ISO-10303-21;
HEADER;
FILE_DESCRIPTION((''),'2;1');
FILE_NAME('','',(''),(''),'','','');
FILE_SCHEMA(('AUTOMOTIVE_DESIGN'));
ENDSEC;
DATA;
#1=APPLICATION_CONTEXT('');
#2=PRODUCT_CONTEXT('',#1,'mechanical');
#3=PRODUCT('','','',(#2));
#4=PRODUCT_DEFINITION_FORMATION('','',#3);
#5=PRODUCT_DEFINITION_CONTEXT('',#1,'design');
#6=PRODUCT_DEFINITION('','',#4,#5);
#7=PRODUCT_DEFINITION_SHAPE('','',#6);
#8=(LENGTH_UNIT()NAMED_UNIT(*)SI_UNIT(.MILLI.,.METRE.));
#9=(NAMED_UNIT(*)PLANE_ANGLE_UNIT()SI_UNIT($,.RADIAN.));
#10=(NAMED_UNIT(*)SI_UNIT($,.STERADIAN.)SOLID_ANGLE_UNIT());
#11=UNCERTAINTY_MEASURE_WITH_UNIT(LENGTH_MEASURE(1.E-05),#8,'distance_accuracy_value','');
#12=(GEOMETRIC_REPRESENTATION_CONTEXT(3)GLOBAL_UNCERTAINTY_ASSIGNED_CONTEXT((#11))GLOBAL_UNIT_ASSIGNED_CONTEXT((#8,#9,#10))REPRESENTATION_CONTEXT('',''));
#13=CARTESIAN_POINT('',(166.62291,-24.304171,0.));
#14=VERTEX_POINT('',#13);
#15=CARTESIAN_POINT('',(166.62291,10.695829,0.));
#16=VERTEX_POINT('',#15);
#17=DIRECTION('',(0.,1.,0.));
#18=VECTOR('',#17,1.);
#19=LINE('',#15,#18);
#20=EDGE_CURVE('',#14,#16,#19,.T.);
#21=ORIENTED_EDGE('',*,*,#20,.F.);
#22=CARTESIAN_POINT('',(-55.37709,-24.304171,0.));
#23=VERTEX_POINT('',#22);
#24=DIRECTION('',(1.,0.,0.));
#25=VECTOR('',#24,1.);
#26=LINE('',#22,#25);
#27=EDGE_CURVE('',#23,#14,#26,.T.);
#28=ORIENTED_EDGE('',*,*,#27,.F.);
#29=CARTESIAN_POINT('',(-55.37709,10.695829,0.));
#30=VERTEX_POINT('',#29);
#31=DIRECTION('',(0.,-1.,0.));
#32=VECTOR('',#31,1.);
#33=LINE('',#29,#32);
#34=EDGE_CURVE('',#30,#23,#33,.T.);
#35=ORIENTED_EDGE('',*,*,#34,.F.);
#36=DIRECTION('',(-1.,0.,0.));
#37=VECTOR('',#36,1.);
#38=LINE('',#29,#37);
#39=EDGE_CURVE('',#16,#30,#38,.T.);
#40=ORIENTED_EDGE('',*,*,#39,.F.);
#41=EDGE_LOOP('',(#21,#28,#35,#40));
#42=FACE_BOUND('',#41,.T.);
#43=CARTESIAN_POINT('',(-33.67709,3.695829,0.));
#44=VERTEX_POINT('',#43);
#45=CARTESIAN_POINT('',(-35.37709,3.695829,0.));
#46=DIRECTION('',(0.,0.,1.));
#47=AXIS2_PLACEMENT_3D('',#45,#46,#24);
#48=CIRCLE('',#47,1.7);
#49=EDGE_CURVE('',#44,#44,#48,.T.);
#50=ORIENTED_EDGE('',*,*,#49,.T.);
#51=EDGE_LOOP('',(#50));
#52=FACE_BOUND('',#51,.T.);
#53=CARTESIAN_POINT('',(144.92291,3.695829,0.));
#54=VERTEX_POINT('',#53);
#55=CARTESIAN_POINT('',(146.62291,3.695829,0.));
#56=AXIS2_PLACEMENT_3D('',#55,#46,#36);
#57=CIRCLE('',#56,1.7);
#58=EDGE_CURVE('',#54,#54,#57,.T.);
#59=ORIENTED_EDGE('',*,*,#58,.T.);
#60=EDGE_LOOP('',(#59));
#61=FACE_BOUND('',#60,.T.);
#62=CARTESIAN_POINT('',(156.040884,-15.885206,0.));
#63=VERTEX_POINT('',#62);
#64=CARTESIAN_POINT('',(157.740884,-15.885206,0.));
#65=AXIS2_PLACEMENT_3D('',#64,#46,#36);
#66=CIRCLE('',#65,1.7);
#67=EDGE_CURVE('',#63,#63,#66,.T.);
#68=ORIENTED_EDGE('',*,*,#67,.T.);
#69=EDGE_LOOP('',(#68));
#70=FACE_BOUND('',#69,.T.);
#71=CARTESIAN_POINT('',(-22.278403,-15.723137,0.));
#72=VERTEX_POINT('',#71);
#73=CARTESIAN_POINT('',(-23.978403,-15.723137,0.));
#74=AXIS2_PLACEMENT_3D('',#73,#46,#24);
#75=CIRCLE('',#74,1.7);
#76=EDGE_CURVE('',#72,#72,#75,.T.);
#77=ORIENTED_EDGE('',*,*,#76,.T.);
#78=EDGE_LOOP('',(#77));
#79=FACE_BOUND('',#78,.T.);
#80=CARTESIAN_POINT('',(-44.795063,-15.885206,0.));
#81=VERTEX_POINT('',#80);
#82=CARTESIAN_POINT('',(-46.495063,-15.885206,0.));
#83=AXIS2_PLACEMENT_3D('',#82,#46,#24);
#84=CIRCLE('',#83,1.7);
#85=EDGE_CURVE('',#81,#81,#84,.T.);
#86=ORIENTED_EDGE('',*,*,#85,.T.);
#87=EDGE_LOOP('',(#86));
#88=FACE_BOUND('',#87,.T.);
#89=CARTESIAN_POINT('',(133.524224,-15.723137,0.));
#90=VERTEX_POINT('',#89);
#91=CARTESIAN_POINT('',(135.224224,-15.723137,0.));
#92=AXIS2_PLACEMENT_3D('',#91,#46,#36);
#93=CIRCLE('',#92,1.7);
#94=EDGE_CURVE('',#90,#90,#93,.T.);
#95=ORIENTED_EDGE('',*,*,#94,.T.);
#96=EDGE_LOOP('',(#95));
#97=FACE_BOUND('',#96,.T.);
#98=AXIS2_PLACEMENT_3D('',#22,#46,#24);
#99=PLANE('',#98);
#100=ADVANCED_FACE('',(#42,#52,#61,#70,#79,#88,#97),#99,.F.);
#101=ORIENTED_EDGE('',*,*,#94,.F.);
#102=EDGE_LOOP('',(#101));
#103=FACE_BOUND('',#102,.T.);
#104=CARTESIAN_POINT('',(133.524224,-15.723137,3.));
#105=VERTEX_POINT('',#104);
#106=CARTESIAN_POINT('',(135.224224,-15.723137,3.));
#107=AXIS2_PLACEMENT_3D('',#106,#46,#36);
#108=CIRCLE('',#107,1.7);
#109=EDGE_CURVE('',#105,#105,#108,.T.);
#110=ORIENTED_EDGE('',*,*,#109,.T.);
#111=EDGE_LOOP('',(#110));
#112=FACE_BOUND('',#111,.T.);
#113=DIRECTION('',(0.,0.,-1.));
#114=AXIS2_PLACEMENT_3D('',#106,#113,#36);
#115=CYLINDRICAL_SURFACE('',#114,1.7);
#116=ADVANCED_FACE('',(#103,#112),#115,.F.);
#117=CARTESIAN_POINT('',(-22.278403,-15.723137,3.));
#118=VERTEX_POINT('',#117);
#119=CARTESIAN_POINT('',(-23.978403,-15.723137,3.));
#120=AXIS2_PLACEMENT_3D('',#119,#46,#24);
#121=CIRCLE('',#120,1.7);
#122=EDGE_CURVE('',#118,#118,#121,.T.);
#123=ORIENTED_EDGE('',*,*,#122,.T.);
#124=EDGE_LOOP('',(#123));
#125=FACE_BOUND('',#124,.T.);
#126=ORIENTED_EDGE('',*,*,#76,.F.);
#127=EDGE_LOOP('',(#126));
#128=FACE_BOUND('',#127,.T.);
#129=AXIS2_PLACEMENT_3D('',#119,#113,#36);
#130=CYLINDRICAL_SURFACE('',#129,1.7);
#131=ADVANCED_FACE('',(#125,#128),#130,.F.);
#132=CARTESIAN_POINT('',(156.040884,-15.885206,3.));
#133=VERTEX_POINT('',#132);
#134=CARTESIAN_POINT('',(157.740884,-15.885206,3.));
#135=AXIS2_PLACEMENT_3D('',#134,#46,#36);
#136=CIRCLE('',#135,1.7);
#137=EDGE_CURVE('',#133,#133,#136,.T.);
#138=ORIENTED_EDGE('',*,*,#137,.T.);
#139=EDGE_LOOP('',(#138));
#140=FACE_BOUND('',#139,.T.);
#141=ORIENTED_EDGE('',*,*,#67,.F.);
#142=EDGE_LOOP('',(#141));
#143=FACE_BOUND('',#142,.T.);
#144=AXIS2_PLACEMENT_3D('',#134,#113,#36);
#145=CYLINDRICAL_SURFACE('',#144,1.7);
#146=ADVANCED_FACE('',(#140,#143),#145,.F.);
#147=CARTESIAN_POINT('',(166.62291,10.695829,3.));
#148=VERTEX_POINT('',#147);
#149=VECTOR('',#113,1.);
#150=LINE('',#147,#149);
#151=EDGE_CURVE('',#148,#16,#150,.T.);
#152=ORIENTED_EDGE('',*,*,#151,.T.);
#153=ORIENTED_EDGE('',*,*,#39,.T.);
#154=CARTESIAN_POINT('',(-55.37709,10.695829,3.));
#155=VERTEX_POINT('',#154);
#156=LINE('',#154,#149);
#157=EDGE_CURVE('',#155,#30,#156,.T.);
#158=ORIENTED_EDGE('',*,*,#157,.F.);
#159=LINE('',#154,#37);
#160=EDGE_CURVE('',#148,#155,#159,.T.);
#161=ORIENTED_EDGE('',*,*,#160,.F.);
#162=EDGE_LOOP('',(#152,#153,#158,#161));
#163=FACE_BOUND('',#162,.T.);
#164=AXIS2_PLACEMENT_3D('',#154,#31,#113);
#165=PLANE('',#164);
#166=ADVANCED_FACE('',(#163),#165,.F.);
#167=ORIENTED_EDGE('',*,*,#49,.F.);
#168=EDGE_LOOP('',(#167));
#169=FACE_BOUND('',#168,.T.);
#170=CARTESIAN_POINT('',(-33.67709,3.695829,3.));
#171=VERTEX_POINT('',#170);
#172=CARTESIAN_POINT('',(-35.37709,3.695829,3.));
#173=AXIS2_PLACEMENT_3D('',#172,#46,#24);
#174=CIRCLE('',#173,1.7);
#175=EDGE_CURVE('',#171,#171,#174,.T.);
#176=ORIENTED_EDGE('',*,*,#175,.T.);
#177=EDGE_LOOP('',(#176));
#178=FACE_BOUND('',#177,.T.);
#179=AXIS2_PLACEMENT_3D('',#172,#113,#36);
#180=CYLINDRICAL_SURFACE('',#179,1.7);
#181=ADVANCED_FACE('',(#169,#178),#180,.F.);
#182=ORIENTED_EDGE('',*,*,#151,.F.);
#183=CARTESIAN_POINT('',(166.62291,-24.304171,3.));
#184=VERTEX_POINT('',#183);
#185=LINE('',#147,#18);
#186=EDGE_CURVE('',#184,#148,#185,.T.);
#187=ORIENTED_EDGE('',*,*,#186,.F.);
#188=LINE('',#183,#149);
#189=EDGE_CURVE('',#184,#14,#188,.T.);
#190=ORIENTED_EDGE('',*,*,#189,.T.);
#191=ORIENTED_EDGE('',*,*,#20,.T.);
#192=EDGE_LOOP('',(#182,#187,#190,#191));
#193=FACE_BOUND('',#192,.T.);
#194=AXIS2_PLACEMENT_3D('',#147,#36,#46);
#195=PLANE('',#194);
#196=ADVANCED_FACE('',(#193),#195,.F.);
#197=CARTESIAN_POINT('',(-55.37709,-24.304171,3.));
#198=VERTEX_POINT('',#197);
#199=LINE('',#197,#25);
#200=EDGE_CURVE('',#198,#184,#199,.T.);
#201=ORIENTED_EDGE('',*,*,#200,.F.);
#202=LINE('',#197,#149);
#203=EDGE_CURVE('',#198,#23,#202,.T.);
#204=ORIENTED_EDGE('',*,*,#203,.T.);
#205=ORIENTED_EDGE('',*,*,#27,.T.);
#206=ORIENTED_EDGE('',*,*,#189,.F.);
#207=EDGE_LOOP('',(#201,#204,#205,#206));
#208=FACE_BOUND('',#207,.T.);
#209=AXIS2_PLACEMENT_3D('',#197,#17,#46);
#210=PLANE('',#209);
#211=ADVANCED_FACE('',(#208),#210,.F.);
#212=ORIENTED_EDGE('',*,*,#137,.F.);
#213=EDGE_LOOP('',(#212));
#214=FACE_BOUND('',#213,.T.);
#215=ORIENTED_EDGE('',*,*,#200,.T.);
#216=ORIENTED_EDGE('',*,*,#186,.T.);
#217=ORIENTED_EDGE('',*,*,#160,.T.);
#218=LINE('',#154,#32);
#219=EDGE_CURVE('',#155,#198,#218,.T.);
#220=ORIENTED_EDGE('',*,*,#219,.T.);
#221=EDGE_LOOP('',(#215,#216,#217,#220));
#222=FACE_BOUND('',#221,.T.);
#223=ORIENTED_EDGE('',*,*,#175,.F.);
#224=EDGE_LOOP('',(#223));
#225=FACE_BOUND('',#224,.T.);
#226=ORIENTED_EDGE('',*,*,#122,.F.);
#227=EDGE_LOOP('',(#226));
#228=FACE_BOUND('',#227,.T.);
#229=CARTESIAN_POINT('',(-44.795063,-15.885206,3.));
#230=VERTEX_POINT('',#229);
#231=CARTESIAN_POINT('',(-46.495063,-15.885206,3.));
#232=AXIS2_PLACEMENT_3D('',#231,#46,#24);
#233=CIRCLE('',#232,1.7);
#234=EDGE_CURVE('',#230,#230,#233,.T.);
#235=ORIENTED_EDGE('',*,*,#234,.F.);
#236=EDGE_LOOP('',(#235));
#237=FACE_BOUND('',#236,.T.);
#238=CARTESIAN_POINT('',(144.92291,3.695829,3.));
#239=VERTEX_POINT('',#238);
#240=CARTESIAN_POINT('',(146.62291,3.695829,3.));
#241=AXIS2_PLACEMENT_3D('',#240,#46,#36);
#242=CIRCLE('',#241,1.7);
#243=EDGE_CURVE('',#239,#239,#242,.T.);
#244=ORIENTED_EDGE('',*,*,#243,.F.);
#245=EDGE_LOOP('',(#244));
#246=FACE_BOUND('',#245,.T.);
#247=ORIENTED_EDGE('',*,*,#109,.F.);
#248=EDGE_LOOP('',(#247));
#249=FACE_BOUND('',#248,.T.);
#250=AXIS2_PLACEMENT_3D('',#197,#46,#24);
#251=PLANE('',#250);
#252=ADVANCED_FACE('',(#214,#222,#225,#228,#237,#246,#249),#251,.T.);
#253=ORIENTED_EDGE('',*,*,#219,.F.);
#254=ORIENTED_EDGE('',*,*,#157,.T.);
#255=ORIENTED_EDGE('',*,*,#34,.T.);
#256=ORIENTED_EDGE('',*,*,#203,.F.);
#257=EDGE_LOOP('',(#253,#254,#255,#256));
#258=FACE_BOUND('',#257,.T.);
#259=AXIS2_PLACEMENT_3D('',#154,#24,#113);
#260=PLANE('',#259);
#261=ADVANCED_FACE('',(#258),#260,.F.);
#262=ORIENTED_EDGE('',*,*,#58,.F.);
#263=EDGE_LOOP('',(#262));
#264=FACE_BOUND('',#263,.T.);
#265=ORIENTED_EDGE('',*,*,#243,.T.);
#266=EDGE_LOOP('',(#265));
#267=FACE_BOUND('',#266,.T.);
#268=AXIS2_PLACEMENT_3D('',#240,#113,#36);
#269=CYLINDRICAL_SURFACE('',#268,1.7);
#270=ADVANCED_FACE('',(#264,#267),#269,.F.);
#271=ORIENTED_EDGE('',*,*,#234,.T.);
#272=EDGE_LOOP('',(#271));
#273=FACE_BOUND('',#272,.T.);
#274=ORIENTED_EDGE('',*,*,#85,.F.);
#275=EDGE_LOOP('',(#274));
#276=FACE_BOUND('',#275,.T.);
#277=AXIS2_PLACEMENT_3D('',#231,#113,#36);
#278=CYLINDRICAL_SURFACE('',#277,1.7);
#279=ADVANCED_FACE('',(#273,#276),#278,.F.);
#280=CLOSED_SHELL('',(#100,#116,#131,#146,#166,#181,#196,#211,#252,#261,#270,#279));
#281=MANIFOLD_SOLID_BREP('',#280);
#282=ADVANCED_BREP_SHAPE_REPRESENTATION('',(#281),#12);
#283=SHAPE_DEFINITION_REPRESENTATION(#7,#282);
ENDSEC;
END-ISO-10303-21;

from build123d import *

# Parameters (mm, degrees)
ESQUISSE1_W        = 222
ESQUISSE1_H        = 35
ESQUISSE1_R        = 1.7
BOSS_EXTRU_1_DEPTH = 3


with BuildPart() as part:
    # Esquisse1 → Boss.-Extru.1 (new body)
    with BuildSketch(Plane.XY):
        with Locations((55.622910416, -6.804171429)):
            Rectangle(ESQUISSE1_W, ESQUISSE1_H)
        with Locations((-35.377089584, 3.695828571)):
            Circle(ESQUISSE1_R, mode=Mode.SUBTRACT)
        with Locations((-23.978402981, -15.72313665)):
            Circle(ESQUISSE1_R, mode=Mode.SUBTRACT)
        with Locations((-46.495063479, -15.885206207)):
            Circle(ESQUISSE1_R, mode=Mode.SUBTRACT)
        with Locations((135.224223814, -15.72313665)):
            Circle(ESQUISSE1_R, mode=Mode.SUBTRACT)
        with Locations((157.740884312, -15.885206207)):
            Circle(ESQUISSE1_R, mode=Mode.SUBTRACT)
        with Locations((146.622910416, 3.695828571)):
            Circle(ESQUISSE1_R, mode=Mode.SUBTRACT)
    extrude(amount=BOSS_EXTRU_1_DEPTH)


solid = part.part
